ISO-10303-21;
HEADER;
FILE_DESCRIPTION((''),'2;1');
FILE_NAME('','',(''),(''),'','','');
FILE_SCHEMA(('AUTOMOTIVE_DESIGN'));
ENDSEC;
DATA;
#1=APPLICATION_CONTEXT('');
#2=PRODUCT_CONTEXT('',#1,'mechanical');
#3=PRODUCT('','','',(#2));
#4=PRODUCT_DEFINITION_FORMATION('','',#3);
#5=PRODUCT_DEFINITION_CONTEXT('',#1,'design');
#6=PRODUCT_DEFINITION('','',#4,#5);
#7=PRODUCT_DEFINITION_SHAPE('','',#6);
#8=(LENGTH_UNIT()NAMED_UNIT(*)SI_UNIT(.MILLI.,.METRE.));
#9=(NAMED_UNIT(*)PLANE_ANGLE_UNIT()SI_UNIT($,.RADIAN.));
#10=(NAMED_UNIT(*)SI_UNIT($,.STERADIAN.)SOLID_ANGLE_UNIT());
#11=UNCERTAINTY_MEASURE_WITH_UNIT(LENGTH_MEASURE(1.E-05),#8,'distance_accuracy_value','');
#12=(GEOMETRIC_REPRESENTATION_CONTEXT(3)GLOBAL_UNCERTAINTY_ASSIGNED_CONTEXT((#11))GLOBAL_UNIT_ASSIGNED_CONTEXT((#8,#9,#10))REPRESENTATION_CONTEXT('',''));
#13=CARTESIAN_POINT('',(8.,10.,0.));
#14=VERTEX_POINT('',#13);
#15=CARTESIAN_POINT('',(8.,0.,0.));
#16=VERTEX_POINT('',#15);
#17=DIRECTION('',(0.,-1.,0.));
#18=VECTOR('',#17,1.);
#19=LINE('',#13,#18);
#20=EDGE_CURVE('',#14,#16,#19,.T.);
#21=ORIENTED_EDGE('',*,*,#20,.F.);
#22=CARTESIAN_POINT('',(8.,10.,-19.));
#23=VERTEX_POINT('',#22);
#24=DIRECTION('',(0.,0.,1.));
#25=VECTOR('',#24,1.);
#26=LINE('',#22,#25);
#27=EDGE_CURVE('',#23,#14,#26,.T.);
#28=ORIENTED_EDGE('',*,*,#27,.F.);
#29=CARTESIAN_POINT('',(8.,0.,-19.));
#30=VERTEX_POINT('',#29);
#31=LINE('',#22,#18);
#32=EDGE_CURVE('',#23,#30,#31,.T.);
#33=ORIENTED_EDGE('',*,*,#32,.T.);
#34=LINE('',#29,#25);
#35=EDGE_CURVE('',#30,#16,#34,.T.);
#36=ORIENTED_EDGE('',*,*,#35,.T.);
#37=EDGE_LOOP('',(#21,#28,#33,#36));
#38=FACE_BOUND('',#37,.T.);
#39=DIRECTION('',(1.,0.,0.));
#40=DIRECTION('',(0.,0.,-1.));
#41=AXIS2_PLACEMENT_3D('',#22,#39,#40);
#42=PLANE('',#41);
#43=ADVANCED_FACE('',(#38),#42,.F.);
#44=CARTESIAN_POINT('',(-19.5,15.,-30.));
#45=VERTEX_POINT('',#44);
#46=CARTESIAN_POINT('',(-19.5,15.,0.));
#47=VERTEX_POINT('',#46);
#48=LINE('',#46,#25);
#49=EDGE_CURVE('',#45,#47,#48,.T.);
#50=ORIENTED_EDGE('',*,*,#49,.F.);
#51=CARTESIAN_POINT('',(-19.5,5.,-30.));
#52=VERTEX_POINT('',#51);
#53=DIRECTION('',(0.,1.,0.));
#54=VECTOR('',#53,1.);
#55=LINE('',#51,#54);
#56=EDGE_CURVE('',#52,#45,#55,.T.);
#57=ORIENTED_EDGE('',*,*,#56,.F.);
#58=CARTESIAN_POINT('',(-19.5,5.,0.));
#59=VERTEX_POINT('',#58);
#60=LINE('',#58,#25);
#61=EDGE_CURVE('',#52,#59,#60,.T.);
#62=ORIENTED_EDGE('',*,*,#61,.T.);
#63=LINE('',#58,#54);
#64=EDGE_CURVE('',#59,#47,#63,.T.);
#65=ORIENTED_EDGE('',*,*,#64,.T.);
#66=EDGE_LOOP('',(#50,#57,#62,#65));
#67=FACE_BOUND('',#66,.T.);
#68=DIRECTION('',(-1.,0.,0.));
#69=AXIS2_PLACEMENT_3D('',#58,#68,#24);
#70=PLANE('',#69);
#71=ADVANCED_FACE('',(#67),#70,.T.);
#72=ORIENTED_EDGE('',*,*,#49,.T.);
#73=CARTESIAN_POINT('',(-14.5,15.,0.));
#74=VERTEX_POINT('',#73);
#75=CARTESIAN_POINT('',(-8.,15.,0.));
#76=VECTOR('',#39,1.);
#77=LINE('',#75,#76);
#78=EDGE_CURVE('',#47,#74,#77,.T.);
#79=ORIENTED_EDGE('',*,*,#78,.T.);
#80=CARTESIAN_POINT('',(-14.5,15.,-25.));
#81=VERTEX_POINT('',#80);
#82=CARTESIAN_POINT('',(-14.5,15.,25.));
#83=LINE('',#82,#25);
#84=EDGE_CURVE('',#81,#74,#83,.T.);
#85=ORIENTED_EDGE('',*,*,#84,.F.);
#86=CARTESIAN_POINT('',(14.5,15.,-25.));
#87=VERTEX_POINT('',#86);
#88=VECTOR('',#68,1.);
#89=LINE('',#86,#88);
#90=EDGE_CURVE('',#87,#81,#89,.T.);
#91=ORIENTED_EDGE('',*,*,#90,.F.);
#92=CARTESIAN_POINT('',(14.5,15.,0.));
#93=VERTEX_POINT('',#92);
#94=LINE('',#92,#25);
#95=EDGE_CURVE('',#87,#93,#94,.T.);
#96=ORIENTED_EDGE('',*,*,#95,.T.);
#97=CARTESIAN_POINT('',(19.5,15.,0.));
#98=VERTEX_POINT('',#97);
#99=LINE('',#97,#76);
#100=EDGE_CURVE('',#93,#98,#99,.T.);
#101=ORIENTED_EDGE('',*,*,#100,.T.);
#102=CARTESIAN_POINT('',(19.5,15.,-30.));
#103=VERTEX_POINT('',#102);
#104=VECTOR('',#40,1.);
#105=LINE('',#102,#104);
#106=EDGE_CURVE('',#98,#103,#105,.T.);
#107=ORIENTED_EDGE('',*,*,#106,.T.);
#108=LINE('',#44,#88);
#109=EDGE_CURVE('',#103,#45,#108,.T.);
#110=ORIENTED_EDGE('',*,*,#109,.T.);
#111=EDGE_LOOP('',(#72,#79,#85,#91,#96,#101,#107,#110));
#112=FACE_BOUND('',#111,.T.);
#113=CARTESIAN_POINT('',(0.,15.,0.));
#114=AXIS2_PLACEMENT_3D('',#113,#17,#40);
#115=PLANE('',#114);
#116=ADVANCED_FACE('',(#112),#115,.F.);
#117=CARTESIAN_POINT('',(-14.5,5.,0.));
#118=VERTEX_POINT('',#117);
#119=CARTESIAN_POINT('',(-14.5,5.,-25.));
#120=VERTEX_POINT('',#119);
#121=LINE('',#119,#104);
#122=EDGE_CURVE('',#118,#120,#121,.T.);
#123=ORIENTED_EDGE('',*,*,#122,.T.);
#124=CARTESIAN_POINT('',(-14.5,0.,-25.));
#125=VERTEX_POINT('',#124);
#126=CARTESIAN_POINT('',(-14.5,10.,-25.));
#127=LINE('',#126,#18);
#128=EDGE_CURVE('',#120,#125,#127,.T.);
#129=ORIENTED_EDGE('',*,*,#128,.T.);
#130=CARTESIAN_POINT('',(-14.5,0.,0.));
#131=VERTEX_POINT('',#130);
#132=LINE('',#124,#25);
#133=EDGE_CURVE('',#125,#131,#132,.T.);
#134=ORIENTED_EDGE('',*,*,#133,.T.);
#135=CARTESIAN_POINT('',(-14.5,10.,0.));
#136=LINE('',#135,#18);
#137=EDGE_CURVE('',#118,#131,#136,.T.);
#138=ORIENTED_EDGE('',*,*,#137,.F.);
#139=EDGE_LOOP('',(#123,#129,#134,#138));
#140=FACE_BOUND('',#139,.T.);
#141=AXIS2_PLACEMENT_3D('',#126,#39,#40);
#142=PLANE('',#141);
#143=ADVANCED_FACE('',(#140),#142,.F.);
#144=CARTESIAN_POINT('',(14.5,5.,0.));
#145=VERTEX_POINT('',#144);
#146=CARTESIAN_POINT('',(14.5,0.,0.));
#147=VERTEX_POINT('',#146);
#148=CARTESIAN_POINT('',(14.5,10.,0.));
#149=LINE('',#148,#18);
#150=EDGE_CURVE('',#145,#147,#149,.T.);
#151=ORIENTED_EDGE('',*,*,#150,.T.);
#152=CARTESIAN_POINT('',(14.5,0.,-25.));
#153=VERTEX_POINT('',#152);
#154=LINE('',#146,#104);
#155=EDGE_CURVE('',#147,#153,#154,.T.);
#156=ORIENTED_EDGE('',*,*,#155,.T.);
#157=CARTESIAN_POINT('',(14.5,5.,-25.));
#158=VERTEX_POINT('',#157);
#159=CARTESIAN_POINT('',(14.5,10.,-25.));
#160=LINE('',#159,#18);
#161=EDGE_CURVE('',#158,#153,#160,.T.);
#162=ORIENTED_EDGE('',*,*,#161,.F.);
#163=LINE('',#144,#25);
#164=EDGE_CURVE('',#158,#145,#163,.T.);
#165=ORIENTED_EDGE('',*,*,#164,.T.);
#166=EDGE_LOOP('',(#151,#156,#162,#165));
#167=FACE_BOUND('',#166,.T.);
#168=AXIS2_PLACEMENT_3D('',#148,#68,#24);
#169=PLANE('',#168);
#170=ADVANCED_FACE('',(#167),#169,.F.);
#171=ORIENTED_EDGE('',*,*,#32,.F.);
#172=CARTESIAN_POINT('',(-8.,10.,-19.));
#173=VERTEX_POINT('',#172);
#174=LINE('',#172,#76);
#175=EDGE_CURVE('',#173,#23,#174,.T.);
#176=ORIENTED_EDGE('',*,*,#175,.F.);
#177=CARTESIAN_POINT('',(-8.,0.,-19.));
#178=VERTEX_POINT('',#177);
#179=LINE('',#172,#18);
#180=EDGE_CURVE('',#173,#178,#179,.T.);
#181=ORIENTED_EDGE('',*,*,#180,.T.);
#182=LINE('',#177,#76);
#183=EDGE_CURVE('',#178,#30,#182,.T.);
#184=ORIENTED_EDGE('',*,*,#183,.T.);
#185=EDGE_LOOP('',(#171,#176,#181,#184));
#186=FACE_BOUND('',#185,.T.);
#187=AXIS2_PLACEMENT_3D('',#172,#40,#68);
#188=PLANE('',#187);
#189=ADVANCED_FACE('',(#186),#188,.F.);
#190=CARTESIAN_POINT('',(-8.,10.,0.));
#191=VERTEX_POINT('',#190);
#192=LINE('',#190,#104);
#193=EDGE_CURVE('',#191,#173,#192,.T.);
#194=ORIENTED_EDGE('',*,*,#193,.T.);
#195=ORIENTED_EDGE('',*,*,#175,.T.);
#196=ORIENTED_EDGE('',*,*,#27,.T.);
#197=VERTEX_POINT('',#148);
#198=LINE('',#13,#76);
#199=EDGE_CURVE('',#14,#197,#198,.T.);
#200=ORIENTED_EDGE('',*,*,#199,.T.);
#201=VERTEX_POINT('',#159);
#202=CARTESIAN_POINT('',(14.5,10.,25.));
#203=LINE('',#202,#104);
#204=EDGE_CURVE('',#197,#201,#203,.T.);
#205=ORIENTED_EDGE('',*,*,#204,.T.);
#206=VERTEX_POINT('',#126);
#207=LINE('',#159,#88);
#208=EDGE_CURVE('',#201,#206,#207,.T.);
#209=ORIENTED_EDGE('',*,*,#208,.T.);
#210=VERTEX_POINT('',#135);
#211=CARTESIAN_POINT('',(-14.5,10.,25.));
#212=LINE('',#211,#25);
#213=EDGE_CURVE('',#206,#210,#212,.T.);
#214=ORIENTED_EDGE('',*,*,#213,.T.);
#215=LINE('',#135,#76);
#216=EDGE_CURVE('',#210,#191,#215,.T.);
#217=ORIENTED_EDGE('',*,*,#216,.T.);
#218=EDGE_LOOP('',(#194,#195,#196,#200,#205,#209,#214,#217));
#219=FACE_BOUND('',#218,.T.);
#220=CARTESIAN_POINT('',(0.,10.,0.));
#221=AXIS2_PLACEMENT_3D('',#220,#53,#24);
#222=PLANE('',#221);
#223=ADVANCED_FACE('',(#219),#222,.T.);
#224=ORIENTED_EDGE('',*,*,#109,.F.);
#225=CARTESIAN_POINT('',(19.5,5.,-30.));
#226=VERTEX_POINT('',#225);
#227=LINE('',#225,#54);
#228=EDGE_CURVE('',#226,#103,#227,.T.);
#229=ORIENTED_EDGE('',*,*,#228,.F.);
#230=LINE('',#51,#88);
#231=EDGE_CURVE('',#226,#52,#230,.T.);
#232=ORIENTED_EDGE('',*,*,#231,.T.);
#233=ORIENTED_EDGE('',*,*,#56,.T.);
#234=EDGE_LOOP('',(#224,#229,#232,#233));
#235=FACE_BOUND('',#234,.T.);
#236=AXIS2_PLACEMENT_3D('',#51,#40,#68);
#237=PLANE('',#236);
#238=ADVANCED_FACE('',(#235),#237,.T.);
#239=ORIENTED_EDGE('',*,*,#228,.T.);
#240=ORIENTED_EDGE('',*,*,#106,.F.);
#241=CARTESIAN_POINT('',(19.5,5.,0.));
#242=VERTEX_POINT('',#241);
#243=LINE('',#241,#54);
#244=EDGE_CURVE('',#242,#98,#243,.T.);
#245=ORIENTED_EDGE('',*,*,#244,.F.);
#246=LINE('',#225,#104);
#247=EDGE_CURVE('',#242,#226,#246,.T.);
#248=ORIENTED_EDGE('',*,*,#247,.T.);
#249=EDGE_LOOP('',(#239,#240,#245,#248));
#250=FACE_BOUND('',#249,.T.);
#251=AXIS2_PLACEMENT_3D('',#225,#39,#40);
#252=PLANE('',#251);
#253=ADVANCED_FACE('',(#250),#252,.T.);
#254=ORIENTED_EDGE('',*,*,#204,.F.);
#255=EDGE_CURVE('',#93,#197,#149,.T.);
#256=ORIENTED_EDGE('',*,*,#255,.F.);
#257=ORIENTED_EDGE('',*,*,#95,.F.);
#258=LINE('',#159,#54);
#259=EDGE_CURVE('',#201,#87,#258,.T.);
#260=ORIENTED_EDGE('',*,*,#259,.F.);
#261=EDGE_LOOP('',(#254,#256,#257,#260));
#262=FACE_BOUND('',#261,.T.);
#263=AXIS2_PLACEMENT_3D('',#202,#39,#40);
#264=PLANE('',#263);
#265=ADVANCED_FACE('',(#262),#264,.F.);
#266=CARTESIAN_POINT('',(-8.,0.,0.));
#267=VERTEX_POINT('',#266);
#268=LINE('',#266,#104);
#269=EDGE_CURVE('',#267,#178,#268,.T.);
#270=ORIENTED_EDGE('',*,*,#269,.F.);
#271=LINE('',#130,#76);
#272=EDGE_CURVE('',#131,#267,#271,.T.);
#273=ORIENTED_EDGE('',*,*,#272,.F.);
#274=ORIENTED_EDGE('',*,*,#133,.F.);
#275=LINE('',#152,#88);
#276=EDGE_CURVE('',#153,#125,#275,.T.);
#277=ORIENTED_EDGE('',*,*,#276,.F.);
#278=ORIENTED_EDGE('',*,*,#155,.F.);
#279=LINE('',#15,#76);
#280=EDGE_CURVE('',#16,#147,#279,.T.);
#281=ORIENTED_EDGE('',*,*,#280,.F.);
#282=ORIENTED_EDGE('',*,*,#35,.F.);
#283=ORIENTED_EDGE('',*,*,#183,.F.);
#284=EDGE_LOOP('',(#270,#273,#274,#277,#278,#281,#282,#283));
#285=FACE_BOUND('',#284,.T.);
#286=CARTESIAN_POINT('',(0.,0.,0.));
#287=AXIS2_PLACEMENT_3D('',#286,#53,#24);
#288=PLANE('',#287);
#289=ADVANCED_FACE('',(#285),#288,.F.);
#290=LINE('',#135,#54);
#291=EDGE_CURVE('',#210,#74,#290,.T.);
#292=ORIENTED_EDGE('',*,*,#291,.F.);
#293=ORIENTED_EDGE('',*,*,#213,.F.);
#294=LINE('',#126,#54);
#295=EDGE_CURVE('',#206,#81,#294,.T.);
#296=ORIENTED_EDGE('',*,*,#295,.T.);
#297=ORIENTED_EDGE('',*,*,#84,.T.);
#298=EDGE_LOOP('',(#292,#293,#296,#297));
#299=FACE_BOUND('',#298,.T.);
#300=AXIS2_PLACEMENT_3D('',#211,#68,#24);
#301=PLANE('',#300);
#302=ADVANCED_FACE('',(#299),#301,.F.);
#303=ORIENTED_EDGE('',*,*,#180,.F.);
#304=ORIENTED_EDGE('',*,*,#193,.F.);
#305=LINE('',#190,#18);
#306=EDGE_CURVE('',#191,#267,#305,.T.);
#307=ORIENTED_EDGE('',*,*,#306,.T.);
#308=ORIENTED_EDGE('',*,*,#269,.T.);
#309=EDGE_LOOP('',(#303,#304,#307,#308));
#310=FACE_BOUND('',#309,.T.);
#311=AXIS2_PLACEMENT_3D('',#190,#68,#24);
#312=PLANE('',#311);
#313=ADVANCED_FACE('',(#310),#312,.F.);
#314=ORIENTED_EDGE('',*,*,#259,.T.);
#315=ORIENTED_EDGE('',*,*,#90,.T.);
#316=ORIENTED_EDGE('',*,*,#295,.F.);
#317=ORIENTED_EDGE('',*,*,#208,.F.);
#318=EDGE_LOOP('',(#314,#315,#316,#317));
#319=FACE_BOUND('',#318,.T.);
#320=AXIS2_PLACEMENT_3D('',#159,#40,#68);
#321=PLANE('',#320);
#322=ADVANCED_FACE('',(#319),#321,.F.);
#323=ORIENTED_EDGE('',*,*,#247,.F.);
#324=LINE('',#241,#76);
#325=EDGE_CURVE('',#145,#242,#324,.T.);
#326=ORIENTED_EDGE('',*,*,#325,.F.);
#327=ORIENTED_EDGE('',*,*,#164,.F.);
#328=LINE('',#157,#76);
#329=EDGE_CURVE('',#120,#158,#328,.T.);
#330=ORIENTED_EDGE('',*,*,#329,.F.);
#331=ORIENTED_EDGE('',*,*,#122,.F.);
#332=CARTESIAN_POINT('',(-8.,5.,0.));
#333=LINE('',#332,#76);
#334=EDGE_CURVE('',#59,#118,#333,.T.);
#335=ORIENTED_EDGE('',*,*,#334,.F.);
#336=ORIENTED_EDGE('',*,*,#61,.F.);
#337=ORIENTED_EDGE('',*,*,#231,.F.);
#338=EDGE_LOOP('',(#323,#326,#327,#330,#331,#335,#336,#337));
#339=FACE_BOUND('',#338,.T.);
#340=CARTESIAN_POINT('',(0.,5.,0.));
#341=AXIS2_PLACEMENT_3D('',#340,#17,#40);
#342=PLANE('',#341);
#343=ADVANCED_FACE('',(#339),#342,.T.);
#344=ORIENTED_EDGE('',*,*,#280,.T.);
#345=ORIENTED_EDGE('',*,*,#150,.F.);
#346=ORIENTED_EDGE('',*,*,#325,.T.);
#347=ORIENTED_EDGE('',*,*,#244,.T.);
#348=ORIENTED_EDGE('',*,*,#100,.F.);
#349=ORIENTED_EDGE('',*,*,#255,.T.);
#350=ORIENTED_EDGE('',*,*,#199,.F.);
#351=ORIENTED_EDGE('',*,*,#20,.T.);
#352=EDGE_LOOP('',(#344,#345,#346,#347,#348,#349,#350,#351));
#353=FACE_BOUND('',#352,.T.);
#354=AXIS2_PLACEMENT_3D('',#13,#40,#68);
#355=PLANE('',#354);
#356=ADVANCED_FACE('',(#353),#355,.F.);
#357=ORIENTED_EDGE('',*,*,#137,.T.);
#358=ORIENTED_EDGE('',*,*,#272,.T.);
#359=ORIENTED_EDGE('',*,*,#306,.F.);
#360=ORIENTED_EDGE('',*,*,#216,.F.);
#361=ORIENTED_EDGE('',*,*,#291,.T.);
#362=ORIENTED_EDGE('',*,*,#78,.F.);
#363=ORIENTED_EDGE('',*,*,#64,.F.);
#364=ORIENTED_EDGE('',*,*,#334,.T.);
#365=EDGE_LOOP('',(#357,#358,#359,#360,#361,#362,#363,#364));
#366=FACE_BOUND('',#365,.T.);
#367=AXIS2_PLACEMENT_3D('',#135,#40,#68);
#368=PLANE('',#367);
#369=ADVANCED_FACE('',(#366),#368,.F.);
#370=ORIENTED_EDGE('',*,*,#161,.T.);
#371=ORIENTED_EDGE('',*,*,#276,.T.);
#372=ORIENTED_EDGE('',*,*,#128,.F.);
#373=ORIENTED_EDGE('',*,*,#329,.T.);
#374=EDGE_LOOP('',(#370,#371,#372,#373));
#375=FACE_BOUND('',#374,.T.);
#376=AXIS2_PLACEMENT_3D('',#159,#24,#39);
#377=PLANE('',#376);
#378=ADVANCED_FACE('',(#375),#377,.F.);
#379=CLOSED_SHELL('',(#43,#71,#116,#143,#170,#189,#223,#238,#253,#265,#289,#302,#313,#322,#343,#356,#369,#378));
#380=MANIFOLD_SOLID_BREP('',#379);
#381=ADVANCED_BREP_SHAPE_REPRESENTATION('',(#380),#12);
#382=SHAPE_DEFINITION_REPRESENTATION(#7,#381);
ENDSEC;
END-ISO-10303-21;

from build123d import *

# Parameters (mm, degrees)
EXTRUDE_1_DEPTH      = 10
EXTRUDE_2_DEPTH      = 5
EXTRUDE_2_DEPTH_BACK = 5
SKETCH_3_W           = 29
SKETCH_3_H           = 50
CUT_EXTRUDE_2_DEPTH  = 5


with BuildPart() as part:
    # 스케치1 → 보스-돌출1 (new body)
    with BuildSketch(Plane(origin=(0, 0, 0), x_dir=(1, 0, 0), z_dir=(0, 1, 0))):
        Polygon((-14.5, 0), (-8, 0), (-8, 19), (8, 19), (8, 0), (14.5, 0), (14.5, 25), (-14.5, 25), align=None)
    extrude(amount=EXTRUDE_1_DEPTH)

    # 스케치2 → 보스-돌출2 (add, two sides)
    with BuildSketch(Plane(origin=(0, 10, 0), x_dir=(1, 0, 0), z_dir=(0, 1, 0))) as extrude_2_sk:
        Polygon((-8, 0), (-19.5, 0), (-19.5, 30), (19.5, 30), (19.5, 0), (8, 0), (8, 19), (-8, 19), align=None)
    extrude(amount=EXTRUDE_2_DEPTH)
    extrude(extrude_2_sk.sketch, amount=-EXTRUDE_2_DEPTH_BACK)

    # 스케치3 → 컷-돌출2 (cut)
    with BuildSketch(Plane(origin=(0, 15, 0), x_dir=(1, 0, 0), z_dir=(0, 1, 0))):
        Rectangle(SKETCH_3_W, SKETCH_3_H)
    extrude(amount=-CUT_EXTRUDE_2_DEPTH, mode=Mode.SUBTRACT)


solid = part.part
